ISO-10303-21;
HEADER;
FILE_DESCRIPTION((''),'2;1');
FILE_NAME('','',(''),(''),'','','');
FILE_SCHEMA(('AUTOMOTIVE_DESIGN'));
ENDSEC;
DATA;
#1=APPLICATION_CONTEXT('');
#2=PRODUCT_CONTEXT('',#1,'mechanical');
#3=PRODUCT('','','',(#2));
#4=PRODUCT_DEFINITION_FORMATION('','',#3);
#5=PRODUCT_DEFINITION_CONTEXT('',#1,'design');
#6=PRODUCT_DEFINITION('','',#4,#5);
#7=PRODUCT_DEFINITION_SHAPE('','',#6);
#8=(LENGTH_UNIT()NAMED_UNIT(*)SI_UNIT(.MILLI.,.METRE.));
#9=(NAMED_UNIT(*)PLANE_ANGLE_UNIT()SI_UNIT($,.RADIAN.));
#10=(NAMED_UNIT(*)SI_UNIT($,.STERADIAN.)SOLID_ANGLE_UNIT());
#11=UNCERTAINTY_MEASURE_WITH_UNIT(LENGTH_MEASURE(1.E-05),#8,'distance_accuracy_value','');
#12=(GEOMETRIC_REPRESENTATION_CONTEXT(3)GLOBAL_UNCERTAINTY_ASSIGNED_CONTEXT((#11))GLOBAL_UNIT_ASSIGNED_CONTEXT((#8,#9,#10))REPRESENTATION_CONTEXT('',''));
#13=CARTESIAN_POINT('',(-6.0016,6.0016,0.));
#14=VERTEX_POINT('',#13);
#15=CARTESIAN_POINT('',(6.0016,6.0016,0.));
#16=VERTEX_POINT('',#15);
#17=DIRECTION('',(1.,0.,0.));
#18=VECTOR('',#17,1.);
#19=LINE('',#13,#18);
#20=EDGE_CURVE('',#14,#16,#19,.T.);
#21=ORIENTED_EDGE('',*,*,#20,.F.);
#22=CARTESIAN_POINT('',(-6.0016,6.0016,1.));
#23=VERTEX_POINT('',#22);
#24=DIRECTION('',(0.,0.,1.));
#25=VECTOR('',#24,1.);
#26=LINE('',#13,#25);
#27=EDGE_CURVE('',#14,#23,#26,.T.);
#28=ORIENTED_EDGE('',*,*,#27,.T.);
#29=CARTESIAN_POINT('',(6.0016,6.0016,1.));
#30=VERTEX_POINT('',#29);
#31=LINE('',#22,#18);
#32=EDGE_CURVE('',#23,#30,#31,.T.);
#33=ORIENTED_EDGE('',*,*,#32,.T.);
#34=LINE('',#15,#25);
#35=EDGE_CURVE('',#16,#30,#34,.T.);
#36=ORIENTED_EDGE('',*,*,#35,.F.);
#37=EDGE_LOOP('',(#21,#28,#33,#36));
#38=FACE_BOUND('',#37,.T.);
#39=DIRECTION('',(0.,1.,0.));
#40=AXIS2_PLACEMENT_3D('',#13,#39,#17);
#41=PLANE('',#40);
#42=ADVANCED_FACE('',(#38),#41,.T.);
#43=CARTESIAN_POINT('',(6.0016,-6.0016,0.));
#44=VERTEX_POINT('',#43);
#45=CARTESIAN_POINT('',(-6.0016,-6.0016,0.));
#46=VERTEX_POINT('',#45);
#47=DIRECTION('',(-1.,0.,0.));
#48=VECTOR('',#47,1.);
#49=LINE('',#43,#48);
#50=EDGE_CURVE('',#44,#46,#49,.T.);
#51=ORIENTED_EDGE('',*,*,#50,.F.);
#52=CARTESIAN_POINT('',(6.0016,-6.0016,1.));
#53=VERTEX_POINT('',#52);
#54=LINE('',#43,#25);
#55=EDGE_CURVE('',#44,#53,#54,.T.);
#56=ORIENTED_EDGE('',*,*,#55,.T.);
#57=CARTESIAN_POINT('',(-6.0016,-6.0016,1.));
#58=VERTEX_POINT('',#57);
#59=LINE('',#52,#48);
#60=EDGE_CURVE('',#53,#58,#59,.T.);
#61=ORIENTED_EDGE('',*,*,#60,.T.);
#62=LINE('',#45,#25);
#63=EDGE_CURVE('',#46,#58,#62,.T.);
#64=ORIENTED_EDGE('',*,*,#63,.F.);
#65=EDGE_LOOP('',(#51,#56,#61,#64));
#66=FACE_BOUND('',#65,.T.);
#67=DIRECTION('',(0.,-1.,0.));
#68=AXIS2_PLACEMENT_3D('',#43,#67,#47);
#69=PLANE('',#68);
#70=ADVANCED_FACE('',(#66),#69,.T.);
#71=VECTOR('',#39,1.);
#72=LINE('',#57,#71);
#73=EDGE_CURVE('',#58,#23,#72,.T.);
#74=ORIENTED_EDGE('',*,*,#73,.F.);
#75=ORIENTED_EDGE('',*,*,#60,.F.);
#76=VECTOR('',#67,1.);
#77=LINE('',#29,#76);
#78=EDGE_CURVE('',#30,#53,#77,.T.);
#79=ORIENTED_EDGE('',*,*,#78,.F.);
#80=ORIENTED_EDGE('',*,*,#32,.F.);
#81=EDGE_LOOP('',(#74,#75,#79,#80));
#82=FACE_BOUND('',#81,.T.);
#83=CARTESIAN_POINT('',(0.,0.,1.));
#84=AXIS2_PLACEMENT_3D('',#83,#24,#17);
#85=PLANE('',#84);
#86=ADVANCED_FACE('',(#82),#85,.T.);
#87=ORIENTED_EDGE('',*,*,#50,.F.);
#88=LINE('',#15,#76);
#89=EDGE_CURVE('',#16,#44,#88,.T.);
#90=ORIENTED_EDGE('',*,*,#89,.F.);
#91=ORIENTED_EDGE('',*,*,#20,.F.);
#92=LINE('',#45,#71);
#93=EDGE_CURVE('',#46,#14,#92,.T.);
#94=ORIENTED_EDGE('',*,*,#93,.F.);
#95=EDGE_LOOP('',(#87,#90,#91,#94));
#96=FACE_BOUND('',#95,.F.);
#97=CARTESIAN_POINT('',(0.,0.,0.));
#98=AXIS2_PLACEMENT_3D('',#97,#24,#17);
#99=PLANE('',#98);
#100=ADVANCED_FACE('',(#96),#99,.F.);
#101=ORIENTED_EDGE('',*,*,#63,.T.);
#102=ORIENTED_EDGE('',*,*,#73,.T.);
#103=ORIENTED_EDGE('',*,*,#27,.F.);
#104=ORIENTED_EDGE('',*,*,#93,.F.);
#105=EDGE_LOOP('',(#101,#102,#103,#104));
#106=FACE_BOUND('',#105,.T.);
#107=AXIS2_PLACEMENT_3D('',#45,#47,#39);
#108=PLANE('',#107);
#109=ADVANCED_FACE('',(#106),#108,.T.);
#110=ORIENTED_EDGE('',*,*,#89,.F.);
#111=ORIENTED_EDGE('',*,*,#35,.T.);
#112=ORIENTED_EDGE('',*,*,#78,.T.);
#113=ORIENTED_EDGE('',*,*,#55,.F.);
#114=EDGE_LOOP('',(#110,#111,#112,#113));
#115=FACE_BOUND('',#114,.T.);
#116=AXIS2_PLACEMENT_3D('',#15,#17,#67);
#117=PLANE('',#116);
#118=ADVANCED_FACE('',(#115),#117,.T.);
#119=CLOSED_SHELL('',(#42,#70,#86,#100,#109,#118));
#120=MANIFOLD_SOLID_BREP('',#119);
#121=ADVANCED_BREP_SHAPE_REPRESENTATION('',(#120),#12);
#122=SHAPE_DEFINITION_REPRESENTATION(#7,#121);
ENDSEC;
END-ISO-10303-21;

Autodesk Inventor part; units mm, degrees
ref_plane "YZ Plane" through (0, 0, 0) normal (1, 0, 0) x (0, 1, 0)
ref_plane "XZ Plane" through (0, 0, 0) normal (0, 1, 0) x (-1, 0, 0)
ref_plane "XY Plane" through (0, 0, 0) normal (0, 0, 1) x (1, 0, 0)
sketch "BUZZER-12MM, BUZZER_1" plane through (0, 0, 0) normal (0, 0, 1) x (1, 0, 0)
  line L0 (-6.0016, 6.0016) -> (6.0016, 6.0016)
  line L1 (6.0016, 6.0016) -> (6.0016, -6.0016)
  line L2 (6.0016, -6.0016) -> (-6.0016, -6.0016)
  line L3 (-6.0016, -6.0016) -> (-6.0016, 6.0016)
extrude "Extrusion1" add sketch "BUZZER-12MM, BUZZER_1" along normal blind 1
properties part number "BUZZER"
